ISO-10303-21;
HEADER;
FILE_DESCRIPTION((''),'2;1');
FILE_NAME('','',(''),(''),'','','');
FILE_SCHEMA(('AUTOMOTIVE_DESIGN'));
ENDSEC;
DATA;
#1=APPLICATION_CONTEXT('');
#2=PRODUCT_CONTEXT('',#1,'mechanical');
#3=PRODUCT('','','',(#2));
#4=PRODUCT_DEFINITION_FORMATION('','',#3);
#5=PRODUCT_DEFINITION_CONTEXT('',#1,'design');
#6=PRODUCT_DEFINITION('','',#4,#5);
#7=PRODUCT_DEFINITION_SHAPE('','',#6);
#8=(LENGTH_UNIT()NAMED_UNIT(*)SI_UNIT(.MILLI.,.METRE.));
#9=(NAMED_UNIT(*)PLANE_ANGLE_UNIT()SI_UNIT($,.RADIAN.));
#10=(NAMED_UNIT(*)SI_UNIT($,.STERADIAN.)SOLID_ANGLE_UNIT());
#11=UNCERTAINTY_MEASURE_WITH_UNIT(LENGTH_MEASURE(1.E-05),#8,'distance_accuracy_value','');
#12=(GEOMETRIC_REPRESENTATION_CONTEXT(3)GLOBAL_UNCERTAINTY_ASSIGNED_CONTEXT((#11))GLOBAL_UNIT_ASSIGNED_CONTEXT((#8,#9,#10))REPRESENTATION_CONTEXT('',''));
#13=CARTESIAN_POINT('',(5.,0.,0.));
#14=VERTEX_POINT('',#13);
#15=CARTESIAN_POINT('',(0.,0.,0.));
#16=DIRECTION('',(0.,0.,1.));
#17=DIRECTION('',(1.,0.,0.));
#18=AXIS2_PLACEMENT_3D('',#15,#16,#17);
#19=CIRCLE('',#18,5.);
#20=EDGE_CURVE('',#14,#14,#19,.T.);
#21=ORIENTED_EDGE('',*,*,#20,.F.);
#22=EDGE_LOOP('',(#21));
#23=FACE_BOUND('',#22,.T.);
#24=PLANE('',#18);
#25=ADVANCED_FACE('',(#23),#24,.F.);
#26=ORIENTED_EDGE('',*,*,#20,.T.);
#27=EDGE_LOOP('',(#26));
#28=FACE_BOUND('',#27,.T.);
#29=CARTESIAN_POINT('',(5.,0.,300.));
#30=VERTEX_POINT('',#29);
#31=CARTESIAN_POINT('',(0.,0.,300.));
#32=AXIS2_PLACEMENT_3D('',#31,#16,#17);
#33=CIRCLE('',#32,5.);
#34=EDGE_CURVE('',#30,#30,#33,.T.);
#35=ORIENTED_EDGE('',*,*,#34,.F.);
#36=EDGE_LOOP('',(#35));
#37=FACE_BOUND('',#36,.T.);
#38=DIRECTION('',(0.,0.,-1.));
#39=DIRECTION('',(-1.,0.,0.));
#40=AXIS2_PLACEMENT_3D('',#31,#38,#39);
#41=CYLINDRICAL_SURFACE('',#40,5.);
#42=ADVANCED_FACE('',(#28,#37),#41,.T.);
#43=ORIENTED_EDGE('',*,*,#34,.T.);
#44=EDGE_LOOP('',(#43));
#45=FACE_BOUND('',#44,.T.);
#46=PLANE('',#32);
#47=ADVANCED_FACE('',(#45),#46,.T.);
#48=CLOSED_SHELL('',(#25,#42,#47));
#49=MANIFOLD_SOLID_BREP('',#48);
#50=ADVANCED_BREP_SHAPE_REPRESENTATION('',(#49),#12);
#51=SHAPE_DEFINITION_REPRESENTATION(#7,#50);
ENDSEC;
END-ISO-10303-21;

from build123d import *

# Parameters (mm, degrees)
CROQUIS1_R              = 5
SALIENTE_EXTRUIR1_DEPTH = 300


with BuildPart() as part:
    # Croquis1 → Saliente-Extruir1 (new body)
    with BuildSketch(Plane.XY):
        Circle(CROQUIS1_R)
    extrude(amount=SALIENTE_EXTRUIR1_DEPTH)


solid = part.part
